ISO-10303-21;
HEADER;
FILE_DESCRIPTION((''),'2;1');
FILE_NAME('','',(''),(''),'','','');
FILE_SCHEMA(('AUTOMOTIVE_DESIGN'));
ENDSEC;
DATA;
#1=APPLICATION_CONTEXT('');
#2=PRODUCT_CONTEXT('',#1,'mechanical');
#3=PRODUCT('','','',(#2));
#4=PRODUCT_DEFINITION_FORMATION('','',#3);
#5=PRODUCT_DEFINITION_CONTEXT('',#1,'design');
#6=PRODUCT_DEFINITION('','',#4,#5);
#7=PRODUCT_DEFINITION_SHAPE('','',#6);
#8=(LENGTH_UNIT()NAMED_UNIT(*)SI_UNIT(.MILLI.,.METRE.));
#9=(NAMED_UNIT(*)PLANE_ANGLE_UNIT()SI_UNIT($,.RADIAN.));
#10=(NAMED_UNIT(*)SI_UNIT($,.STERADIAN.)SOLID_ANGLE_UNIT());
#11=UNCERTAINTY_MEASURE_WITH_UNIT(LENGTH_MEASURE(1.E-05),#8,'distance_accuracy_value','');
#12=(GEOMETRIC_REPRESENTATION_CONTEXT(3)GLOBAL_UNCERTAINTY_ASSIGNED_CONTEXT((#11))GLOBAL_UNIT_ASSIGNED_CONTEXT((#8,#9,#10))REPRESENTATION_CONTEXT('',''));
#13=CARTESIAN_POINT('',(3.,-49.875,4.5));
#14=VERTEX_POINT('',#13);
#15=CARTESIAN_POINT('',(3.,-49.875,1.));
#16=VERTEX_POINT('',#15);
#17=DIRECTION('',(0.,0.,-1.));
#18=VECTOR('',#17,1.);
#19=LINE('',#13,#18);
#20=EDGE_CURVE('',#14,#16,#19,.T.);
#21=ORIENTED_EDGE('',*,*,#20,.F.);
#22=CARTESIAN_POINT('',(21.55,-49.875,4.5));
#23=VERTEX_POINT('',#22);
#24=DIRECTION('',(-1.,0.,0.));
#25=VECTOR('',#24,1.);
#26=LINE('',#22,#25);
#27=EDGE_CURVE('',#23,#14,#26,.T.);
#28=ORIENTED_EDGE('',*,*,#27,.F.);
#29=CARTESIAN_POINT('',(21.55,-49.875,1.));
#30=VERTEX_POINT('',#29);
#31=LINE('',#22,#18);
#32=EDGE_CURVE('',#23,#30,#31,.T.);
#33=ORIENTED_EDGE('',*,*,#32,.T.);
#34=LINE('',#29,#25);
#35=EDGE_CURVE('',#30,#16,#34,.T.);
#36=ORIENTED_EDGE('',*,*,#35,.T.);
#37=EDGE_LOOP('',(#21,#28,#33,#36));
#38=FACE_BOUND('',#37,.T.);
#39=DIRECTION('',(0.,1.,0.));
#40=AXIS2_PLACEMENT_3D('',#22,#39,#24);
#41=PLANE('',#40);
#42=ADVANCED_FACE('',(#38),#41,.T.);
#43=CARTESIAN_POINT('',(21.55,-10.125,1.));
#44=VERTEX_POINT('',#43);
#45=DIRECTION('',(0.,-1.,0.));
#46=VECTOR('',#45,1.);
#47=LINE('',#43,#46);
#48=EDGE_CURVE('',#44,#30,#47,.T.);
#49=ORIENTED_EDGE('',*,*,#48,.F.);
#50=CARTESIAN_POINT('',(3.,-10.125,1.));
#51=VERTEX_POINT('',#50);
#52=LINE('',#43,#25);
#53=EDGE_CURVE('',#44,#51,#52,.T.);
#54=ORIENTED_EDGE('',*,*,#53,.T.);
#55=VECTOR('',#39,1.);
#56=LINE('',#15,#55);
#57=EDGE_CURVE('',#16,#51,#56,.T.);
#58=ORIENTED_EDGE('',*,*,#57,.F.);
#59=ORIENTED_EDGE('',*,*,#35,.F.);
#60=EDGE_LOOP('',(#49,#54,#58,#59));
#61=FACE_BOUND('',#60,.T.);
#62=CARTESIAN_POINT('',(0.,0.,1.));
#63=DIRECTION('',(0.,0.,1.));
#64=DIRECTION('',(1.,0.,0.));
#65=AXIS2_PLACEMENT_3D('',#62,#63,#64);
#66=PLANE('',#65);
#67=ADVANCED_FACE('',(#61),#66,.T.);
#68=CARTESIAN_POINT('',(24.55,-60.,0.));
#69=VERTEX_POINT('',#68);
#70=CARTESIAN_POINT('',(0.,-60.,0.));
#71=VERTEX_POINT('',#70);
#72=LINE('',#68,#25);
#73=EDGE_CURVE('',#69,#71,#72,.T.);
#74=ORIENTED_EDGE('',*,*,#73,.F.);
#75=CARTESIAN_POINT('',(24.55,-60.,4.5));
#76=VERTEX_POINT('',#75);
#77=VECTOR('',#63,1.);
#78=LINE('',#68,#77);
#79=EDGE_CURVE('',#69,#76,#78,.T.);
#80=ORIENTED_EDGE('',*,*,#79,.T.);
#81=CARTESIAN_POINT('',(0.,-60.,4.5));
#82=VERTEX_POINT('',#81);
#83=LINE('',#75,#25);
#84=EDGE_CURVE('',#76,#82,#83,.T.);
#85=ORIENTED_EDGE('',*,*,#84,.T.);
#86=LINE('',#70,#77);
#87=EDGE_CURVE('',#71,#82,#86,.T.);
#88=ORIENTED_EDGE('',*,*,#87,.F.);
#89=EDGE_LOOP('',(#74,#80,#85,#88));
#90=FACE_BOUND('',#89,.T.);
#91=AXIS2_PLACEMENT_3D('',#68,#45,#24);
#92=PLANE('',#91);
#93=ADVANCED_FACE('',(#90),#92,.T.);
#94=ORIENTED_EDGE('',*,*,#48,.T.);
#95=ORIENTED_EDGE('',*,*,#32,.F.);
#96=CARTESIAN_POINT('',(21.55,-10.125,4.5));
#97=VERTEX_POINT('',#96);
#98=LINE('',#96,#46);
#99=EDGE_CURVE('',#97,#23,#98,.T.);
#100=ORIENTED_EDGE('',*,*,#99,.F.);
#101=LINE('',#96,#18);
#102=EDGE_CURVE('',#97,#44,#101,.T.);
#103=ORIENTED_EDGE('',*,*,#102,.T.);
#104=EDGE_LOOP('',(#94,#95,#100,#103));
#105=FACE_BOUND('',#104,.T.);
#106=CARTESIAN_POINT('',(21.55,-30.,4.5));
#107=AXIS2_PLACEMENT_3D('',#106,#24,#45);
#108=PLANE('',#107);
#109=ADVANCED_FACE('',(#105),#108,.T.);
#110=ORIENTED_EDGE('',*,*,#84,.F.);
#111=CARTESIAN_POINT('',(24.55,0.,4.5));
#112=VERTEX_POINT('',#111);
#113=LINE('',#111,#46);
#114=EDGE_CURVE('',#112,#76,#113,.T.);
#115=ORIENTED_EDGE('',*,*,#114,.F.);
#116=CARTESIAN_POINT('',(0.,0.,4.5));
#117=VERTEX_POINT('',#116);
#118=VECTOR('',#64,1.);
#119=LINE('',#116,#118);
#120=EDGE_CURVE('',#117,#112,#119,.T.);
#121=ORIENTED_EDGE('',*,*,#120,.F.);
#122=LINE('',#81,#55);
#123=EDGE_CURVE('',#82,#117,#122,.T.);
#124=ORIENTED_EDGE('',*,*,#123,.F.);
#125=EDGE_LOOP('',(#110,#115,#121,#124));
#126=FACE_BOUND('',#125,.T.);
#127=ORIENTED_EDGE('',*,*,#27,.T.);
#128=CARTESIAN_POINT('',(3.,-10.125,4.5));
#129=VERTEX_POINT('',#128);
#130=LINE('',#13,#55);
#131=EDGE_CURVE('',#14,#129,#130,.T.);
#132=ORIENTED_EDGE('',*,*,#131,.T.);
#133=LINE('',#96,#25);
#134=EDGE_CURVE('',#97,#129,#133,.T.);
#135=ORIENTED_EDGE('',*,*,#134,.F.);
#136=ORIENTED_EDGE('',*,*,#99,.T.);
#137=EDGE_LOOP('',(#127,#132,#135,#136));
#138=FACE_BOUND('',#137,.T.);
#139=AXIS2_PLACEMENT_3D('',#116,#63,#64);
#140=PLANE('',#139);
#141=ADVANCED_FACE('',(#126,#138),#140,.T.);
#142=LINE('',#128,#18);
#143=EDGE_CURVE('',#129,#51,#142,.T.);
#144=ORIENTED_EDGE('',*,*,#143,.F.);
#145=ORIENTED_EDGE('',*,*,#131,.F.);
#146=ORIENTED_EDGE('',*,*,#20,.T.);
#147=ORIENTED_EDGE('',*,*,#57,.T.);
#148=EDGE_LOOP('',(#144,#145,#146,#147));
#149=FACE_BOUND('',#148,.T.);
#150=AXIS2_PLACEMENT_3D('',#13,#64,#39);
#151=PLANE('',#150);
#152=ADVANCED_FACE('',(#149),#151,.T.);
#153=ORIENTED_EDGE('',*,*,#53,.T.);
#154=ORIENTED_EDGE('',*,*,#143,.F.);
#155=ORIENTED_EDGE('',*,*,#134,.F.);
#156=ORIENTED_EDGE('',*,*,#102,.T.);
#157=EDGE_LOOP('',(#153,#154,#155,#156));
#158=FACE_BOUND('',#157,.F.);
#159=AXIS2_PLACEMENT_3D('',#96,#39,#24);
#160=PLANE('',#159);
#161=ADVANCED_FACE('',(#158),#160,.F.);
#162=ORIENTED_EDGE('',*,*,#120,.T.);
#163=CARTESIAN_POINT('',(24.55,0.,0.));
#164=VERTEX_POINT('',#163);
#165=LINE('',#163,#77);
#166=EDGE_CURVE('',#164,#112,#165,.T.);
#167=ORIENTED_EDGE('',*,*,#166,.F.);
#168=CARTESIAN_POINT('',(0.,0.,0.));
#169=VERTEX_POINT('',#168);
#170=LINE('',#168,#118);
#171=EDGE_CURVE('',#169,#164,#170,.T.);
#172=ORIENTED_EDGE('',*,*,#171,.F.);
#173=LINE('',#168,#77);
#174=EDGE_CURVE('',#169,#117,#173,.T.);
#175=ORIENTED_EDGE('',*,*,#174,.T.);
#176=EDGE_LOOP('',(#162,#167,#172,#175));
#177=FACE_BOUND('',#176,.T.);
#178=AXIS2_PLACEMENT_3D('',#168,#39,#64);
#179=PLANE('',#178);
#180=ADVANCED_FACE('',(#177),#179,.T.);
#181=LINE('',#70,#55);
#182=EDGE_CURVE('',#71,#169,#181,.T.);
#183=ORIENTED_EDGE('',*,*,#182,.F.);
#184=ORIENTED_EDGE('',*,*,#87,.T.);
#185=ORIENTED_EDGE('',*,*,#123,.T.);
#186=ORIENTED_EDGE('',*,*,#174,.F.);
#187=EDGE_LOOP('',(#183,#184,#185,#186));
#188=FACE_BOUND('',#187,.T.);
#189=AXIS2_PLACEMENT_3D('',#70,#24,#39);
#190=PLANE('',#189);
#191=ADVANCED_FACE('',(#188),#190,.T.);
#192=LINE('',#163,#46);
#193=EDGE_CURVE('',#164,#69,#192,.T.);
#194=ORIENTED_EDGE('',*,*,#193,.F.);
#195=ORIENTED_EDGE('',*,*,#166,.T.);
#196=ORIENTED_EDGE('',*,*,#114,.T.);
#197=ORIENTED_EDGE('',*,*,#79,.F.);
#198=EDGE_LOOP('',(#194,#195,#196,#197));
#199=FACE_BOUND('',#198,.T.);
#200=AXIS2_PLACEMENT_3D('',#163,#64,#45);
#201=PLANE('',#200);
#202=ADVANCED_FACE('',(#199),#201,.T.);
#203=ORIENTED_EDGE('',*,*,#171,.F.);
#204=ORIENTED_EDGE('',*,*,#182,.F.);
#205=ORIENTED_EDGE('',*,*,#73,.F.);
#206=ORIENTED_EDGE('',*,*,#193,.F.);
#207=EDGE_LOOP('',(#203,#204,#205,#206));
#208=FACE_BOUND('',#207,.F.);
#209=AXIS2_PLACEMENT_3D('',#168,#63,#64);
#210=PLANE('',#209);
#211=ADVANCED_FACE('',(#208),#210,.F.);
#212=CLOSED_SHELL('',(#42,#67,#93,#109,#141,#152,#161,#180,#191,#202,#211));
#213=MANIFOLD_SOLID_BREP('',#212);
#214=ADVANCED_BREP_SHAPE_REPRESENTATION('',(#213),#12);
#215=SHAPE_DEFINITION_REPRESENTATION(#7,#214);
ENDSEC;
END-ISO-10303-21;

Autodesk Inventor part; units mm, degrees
ref_plane "YZ Plane" through (0, 0, 0) normal (1, 0, 0) x (0, 1, 0)
ref_plane "XZ Plane" through (0, 0, 0) normal (0, 1, 0) x (-1, 0, 0)
ref_plane "XY Plane" through (0, 0, 0) normal (0, 0, 1) x (1, 0, 0)
sketch "Sketch1" plane through (0, 0, 0) normal (0, 0, 1) x (1, 0, 0)
  line L0 (0, 0) -> (24.55, 0)
  line L1 (24.55, 0) -> (24.55, -60)
  line L2 (24.55, -60) -> (0, -60)
  line L3 (0, -60) -> (0, 0)
  dimension "d0" = 24.55
  dimension "d1" = 60
extrude "Extrusion1" add sketch "Sketch1" along normal blind 4.5
sketch "Sketch2" plane through (0, 0, 4.5) normal (0, 0, 1) x (1, 0, 0)
  line L0 (24.55, 0) -> (0, 0) projected
  line L1 (0, -60) -> (24.55, -60) projected
  line L2 (24.55, -60) -> (24.55, 0) projected
  line L3 (21.55, -10.125) -> (21.55, -49.875)
  line L4 (3, -49.875) -> (3, -10.125)
  line L5 (21.55, -30) -> (21.55, -10.125)
  line L6 (21.55, -10.125) -> (3, -10.125)
  line L7 (21.55, -30) -> (21.55, -49.875)
  line L8 (21.55, -49.875) -> (3, -49.875)
  line L9 (0, 0) -> (0, -60) projected
  dimension "d10" = 10.125
  dimension "d11" = 10.125
  dimension "d12" = 3
  dimension "d13" = 3
extrude "Extrusion2" cut sketch "Sketch2" against normal blind 3.5 contours L3 L8 L4 L6
properties part number "Arduino"
